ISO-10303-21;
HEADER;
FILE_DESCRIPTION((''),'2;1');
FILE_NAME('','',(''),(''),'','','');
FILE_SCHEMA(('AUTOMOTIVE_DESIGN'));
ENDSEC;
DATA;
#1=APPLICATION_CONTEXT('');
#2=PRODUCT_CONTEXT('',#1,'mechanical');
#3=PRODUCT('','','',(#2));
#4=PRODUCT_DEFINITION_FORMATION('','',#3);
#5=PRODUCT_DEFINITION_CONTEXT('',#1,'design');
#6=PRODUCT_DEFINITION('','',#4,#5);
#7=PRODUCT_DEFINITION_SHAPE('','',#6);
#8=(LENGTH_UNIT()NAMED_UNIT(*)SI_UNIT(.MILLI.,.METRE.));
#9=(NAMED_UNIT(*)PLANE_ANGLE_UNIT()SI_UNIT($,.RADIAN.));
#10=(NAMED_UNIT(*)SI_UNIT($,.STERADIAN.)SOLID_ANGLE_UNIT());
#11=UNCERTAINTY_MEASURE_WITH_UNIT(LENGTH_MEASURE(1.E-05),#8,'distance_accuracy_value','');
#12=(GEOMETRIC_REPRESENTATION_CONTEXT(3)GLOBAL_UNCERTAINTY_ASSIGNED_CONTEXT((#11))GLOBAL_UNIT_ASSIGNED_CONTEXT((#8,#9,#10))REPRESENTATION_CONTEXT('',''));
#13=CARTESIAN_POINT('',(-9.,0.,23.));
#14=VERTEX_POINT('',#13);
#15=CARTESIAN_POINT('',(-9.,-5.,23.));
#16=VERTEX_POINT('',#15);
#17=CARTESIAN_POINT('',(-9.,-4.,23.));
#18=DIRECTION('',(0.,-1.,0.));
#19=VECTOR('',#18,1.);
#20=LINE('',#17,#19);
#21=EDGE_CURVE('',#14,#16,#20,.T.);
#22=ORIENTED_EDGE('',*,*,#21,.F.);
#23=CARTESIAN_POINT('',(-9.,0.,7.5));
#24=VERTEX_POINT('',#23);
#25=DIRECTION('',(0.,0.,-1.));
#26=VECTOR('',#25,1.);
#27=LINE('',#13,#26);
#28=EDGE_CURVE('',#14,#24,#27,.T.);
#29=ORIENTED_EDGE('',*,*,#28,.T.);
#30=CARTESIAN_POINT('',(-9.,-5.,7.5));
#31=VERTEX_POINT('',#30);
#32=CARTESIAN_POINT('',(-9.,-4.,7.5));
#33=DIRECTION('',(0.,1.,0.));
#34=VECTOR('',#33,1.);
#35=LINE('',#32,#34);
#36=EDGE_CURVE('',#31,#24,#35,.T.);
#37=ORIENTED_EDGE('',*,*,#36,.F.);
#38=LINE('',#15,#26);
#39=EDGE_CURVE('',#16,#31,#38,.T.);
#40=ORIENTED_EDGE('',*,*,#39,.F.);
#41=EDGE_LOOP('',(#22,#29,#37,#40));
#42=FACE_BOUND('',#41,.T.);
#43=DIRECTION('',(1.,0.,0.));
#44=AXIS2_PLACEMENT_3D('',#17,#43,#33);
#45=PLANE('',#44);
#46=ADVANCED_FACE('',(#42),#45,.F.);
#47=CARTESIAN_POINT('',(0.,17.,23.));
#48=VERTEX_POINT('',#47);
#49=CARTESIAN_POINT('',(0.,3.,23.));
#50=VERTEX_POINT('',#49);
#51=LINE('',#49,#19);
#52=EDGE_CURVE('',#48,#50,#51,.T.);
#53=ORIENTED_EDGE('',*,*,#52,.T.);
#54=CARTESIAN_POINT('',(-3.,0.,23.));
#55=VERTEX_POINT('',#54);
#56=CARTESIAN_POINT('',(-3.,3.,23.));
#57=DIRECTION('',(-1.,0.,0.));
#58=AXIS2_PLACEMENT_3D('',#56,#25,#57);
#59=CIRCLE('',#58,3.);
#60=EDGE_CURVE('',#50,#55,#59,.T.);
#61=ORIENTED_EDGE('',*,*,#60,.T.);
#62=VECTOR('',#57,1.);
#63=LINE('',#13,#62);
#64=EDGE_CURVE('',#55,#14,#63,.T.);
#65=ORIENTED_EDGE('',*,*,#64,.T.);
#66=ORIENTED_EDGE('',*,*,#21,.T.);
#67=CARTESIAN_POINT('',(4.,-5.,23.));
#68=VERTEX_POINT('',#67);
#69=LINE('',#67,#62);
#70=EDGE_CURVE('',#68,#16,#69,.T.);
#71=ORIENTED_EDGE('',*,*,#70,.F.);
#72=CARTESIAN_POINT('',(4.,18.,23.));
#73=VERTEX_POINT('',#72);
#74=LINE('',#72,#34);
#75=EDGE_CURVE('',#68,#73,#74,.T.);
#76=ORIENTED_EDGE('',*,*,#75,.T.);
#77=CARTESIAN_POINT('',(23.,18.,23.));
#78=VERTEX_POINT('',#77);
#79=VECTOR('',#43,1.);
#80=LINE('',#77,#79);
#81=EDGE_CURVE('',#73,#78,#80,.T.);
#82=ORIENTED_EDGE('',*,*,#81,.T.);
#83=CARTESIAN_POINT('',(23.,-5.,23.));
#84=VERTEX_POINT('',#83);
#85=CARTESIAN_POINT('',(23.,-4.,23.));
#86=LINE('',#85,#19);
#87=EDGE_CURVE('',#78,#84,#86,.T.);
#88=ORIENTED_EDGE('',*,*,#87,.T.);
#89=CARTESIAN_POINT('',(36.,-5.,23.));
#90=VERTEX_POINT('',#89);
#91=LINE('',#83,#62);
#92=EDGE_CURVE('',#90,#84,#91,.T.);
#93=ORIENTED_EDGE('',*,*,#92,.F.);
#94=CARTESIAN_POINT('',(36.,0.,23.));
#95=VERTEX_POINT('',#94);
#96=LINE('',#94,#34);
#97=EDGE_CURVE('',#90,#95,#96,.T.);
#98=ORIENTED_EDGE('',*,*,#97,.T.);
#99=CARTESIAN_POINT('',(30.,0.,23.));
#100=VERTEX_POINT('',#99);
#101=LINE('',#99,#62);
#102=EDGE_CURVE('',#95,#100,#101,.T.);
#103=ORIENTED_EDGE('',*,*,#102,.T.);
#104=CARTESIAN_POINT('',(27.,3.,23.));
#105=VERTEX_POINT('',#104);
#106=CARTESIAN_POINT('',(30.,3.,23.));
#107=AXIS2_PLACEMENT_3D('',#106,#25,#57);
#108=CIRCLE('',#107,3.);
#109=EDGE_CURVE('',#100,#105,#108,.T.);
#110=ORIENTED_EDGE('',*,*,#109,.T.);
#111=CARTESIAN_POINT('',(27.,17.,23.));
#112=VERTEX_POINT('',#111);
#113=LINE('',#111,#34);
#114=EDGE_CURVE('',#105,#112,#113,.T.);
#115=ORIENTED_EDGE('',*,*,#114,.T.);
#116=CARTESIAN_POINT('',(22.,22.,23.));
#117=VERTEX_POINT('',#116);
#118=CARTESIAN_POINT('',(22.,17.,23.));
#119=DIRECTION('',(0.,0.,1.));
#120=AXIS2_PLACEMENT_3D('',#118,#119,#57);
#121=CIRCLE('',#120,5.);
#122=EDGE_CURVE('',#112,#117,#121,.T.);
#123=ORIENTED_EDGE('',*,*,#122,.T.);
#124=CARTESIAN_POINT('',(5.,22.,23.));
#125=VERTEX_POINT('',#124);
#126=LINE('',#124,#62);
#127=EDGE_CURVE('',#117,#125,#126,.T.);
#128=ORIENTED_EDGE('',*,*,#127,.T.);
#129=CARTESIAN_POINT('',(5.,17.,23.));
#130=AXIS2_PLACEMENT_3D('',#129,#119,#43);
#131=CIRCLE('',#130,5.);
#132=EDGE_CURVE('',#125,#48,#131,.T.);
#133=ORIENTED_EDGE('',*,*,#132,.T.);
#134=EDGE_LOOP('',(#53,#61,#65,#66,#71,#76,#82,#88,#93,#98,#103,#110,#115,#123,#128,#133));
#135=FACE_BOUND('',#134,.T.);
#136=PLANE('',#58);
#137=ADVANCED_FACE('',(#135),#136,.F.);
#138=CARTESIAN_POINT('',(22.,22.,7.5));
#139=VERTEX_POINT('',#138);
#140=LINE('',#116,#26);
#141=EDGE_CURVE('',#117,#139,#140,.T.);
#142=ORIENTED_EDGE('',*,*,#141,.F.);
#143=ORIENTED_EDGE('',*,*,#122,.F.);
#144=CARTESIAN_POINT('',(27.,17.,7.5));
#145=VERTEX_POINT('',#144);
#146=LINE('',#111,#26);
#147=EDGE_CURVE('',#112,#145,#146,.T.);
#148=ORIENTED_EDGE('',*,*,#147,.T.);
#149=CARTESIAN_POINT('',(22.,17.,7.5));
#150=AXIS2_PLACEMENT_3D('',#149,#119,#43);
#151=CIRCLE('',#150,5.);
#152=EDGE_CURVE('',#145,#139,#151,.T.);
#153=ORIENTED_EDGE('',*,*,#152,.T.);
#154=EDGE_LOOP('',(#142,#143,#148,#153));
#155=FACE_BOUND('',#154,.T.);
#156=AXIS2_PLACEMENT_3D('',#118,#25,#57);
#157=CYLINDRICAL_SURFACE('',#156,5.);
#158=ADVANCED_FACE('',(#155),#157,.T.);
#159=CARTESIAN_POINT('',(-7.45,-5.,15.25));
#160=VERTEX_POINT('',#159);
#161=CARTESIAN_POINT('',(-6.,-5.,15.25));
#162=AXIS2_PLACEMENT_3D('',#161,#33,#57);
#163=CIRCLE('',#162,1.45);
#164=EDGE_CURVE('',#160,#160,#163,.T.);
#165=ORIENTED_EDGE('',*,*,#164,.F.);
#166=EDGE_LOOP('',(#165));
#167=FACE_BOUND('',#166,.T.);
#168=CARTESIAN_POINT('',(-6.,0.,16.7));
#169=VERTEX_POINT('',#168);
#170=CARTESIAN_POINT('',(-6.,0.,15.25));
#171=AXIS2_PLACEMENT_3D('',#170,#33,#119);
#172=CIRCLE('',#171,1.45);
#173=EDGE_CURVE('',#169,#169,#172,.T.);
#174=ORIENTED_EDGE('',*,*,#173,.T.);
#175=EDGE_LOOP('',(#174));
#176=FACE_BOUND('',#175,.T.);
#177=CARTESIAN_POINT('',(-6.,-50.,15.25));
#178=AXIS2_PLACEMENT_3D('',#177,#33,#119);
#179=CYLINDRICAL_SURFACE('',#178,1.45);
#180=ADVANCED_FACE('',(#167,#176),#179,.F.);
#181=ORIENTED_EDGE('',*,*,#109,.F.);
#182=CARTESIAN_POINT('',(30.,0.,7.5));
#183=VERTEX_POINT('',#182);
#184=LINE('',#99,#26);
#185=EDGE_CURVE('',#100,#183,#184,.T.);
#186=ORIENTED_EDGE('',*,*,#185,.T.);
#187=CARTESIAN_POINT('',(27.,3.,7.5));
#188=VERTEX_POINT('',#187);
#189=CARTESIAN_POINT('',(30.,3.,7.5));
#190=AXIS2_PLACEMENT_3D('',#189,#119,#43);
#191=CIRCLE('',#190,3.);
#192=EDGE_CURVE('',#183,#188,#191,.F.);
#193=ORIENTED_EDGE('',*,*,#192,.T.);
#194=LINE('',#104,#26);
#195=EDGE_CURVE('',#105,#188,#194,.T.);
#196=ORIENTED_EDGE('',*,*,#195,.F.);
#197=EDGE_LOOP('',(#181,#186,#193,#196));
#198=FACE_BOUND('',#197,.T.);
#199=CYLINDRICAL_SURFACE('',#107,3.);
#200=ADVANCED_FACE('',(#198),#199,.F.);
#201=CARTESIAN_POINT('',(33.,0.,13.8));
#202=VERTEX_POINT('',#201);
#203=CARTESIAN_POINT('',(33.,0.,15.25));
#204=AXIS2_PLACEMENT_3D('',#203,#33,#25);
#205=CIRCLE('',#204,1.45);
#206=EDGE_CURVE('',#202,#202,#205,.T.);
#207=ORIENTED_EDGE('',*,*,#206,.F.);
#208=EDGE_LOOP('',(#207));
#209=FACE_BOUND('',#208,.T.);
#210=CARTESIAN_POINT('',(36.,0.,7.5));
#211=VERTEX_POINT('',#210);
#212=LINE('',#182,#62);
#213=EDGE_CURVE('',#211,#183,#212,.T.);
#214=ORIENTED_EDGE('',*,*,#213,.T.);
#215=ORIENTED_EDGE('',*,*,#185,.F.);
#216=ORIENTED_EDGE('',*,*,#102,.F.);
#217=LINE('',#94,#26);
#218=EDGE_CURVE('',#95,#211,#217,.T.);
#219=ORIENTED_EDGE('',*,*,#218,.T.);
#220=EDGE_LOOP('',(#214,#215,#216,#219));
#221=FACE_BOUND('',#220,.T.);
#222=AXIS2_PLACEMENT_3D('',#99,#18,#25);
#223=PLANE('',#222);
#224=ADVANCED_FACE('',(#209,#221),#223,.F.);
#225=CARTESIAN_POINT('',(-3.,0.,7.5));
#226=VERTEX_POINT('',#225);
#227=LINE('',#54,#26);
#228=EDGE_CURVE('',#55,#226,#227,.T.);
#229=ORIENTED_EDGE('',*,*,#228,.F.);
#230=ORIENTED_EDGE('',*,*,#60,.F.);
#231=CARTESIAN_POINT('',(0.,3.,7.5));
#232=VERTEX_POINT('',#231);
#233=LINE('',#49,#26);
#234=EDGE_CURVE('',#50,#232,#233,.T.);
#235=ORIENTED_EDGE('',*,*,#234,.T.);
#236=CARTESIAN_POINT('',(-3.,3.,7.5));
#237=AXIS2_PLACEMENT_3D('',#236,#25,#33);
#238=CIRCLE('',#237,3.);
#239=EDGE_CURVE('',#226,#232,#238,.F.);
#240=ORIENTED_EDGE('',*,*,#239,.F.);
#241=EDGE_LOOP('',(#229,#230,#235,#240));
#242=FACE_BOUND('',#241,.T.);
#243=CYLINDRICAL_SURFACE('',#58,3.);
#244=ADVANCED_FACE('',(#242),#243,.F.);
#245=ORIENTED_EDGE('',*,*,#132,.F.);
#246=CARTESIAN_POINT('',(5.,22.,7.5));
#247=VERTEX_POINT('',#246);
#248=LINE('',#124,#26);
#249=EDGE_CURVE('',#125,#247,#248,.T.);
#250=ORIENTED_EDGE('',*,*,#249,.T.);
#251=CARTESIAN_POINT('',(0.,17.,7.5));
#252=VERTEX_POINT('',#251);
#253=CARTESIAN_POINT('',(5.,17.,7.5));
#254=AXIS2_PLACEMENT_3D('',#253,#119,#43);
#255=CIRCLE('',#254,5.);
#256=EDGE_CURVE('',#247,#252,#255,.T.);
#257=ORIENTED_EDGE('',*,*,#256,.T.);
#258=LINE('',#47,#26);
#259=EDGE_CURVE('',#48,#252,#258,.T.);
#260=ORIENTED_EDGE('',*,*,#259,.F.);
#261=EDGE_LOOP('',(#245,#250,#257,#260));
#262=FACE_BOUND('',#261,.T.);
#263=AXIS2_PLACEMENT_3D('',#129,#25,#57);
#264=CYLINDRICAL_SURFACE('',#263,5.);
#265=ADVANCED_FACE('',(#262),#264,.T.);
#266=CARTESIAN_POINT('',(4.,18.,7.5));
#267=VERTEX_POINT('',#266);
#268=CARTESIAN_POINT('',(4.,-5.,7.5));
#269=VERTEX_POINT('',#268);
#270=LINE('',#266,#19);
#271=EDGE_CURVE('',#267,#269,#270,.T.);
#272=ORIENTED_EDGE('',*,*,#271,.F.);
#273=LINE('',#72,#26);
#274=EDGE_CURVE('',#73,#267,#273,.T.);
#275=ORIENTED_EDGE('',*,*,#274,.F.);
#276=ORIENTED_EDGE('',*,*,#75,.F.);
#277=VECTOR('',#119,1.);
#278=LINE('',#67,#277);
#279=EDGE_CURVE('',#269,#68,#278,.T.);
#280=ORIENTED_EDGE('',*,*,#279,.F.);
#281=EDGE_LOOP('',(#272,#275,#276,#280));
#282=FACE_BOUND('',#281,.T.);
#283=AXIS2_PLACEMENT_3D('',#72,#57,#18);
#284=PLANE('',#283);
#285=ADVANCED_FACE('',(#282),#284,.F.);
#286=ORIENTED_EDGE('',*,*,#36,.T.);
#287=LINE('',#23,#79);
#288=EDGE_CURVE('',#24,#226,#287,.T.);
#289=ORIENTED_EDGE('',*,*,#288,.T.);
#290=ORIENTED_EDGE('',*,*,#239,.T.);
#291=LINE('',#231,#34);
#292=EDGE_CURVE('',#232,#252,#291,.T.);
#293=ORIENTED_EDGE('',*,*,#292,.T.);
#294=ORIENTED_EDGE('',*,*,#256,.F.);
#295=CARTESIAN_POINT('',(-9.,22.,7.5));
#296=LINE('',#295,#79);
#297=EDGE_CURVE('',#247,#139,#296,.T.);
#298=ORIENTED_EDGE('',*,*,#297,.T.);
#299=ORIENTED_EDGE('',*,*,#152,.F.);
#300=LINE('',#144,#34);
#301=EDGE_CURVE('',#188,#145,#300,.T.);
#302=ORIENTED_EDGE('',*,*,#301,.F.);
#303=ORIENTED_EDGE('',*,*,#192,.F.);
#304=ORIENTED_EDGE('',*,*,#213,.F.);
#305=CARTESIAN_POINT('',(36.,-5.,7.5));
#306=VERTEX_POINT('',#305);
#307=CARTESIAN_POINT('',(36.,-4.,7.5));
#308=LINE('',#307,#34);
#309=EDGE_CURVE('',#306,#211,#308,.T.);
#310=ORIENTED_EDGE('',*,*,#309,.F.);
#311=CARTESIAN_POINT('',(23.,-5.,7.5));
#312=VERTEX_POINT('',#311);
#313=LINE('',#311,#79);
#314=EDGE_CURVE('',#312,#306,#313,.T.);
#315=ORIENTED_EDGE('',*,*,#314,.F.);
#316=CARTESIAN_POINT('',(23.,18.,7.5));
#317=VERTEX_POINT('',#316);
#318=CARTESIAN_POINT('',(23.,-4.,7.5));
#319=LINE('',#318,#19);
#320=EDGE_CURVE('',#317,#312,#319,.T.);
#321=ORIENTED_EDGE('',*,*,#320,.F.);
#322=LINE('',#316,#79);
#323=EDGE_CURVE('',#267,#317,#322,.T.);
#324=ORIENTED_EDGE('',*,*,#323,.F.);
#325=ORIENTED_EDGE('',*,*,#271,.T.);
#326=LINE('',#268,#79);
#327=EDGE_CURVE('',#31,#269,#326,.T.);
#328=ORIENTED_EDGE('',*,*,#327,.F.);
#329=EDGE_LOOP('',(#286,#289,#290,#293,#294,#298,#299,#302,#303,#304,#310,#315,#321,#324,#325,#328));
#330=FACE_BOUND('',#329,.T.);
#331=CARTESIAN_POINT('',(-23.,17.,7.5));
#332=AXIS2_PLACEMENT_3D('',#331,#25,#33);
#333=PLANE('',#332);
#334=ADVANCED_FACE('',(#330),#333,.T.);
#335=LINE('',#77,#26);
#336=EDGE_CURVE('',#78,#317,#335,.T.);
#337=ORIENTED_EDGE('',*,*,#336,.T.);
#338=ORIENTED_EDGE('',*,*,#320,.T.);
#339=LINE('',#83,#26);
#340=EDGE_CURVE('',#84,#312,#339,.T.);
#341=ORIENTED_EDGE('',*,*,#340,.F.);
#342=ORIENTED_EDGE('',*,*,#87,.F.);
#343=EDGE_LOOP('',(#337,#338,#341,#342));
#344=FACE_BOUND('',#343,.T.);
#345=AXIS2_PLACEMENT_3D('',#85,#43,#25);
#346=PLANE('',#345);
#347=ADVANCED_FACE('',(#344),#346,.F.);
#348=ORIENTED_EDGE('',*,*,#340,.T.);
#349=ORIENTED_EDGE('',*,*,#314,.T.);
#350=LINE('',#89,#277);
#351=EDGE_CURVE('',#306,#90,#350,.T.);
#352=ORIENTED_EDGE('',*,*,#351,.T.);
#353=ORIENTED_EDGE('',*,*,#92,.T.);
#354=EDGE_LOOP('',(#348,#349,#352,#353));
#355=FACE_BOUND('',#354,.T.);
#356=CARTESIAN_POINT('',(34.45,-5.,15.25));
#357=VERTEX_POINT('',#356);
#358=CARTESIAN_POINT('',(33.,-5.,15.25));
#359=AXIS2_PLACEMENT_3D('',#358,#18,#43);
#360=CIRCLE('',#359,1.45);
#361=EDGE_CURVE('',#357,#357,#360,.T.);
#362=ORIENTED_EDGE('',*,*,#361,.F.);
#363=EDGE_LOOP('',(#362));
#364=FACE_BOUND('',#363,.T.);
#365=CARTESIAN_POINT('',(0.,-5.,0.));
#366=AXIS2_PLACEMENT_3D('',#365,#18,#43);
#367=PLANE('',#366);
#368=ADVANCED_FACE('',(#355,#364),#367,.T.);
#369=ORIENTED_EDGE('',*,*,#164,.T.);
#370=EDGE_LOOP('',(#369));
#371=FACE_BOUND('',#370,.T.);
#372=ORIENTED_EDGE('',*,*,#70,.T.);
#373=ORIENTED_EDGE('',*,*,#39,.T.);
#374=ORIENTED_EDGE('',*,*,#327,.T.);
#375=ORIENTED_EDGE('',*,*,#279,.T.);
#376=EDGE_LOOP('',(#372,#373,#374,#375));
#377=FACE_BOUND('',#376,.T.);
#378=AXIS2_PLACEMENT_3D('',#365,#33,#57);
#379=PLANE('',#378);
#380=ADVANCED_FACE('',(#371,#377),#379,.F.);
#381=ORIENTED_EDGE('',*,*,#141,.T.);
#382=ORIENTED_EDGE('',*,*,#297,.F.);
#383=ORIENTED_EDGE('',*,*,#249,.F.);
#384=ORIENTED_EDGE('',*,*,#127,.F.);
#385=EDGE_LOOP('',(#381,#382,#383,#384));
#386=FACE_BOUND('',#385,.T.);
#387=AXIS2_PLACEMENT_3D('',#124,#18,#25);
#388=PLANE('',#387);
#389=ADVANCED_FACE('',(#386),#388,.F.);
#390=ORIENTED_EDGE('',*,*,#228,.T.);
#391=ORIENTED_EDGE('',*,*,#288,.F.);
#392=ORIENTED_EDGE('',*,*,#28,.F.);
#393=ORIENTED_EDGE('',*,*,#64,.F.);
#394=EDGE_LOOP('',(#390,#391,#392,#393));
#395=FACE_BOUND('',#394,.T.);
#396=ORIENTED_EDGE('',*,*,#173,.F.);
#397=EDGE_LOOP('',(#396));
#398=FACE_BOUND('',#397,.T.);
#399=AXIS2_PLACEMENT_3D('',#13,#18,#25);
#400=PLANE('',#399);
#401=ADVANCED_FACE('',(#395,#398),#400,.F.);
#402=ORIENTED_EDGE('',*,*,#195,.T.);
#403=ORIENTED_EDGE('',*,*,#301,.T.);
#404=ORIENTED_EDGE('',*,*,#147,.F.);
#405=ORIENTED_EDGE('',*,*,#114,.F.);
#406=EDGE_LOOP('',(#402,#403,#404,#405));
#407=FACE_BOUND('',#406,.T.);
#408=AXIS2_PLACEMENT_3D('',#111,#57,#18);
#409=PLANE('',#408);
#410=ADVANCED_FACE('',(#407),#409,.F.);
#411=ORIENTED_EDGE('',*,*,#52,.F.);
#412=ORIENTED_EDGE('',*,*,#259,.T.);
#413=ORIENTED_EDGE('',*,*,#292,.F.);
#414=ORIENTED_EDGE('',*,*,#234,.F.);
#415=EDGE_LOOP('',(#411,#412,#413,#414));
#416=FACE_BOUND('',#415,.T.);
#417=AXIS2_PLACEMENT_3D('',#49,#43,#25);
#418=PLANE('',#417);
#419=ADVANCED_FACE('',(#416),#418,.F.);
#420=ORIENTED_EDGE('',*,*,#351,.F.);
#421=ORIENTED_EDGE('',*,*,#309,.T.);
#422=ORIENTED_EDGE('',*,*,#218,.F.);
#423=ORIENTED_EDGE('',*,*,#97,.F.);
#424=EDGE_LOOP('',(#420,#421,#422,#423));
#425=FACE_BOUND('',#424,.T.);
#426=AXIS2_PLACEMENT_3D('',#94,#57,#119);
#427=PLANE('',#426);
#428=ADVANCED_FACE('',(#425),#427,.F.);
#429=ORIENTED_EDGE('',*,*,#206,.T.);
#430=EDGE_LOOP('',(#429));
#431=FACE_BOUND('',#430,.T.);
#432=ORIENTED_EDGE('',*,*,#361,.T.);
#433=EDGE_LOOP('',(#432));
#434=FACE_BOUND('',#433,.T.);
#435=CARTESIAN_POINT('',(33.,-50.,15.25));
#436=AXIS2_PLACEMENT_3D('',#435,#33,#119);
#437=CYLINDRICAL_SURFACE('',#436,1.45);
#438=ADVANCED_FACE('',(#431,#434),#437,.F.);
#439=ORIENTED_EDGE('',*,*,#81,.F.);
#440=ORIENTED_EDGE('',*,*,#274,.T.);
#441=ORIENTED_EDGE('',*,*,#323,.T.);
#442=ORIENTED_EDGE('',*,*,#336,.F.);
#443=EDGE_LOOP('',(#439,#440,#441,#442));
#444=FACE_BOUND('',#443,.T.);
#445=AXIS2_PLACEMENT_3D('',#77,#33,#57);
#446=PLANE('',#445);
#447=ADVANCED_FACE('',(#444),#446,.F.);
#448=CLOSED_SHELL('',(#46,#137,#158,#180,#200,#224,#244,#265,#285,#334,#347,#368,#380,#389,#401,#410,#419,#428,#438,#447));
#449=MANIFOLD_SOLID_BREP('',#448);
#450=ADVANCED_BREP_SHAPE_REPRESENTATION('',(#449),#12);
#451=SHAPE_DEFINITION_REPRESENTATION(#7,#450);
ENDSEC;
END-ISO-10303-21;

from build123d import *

# Parameters (mm, degrees)
BOSS_EXTRUDE1_DEPTH     = 23
CUT_EXTRUDE2_DEPTH      = 23
CUT_EXTRUDE2_DEPTH_BACK = 10
SKETCH4_W               = 3.5
SKETCH4_H               = 21
SKETCH5_W               = 45
SKETCH5_H               = 7.5
CUT_EXTRUDE3_DEPTH      = 26
SKETCH7_R               = 1.45
CUT_EXTRUDE4_DEPTH      = 50
SKETCH8_W               = 13
SKETCH8_H               = 15.5
BOSS_EXTRUDE2_DEPTH     = 1
SKETCH9_R               = 1.45
CUT_EXTRUDE5_DEPTH      = 10


with BuildPart() as part:
    # Sketch1 → Boss-Extrude1 (new body)
    with BuildSketch(Plane.XY):
        with BuildLine():
            Line((0, 3), (0, 17))
            ThreePointArc((0, 17), (1.464466094, 20.535533906), (5, 22))
            Line((5, 22), (22, 22))
            ThreePointArc((22, 22), (25.535533906, 20.535533906), (27, 17))
            Line((27, 17), (27, 3))
            ThreePointArc((27, 3), (27.878679656, 0.878679656), (30, 0))
            Line((30, 0), (36, 0))
            Line((36, 0), (36, -4))
            Line((36, -4), (23, -4))
            Line((23, -4), (23, 18))
            Line((23, 18), (4, 18))
            Line((4, 18), (4, -4))
            Line((4, -4), (-9, -4))
            Line((-9, -4), (-9, 0))
            Line((-9, 0), (-3, 0))
            ThreePointArc((-3, 0), (-0.878679656, 0.878679656), (0, 3))
        make_face()
    extrude(amount=BOSS_EXTRUDE1_DEPTH)

    # Sketch4 → Cut-Extrude2 (cut, two sides: drawn at the far end of the back side and taken through both)
    with BuildSketch(Plane.ZY.offset(-CUT_EXTRUDE2_DEPTH_BACK)):
        with Locations((5.75, 6.5)):
            Rectangle(SKETCH4_W, SKETCH4_H)
    extrude(amount=CUT_EXTRUDE2_DEPTH + CUT_EXTRUDE2_DEPTH_BACK, mode=Mode.SUBTRACT)

    # Sketch5 → Cut-Extrude3 (cut)
    with BuildSketch(Plane(origin=(0, 22, 0), x_dir=(1, 0, 0), z_dir=(0, 1, 0))):
        with Locations((13.5, -3.75)):
            Rectangle(SKETCH5_W, SKETCH5_H)
    extrude(amount=-CUT_EXTRUDE3_DEPTH, mode=Mode.SUBTRACT)

    # Sketch7 → Cut-Extrude4 (cut)
    with BuildSketch(Plane(origin=(0, 0, 0), x_dir=(1, 0, 0), z_dir=(0, 1, 0))):
        with Locations(Location((-6, -15.25, 0), (0, 0, 270))):
            Circle(SKETCH7_R)
        with Locations(Location((33, -15.25, 0), (0, 0, 180))):
            Circle(SKETCH7_R)
    extrude(amount=-CUT_EXTRUDE4_DEPTH, mode=Mode.SUBTRACT)

    # Sketch8 → Boss-Extrude2 (add)
    with BuildSketch(Plane.XZ.offset(4)):
        with Locations((29.5, 15.25)):
            Rectangle(SKETCH8_W, SKETCH8_H)
        with Locations((-2.5, 15.25)):
            Rectangle(SKETCH8_W, SKETCH8_H)
    extrude(amount=BOSS_EXTRUDE2_DEPTH)

    # Sketch9 → Cut-Extrude5 (cut)
    with BuildSketch(Plane(origin=(0, -4, 0), x_dir=(1, 0, 0), z_dir=(0, 1, 0))):
        with Locations((33, -15.25)):
            Circle(SKETCH9_R)
        with Locations(Location((-6, -15.25, 0), (0, 0, 270))):
            Circle(SKETCH9_R)
    extrude(amount=-CUT_EXTRUDE5_DEPTH, mode=Mode.SUBTRACT)


solid = part.part
